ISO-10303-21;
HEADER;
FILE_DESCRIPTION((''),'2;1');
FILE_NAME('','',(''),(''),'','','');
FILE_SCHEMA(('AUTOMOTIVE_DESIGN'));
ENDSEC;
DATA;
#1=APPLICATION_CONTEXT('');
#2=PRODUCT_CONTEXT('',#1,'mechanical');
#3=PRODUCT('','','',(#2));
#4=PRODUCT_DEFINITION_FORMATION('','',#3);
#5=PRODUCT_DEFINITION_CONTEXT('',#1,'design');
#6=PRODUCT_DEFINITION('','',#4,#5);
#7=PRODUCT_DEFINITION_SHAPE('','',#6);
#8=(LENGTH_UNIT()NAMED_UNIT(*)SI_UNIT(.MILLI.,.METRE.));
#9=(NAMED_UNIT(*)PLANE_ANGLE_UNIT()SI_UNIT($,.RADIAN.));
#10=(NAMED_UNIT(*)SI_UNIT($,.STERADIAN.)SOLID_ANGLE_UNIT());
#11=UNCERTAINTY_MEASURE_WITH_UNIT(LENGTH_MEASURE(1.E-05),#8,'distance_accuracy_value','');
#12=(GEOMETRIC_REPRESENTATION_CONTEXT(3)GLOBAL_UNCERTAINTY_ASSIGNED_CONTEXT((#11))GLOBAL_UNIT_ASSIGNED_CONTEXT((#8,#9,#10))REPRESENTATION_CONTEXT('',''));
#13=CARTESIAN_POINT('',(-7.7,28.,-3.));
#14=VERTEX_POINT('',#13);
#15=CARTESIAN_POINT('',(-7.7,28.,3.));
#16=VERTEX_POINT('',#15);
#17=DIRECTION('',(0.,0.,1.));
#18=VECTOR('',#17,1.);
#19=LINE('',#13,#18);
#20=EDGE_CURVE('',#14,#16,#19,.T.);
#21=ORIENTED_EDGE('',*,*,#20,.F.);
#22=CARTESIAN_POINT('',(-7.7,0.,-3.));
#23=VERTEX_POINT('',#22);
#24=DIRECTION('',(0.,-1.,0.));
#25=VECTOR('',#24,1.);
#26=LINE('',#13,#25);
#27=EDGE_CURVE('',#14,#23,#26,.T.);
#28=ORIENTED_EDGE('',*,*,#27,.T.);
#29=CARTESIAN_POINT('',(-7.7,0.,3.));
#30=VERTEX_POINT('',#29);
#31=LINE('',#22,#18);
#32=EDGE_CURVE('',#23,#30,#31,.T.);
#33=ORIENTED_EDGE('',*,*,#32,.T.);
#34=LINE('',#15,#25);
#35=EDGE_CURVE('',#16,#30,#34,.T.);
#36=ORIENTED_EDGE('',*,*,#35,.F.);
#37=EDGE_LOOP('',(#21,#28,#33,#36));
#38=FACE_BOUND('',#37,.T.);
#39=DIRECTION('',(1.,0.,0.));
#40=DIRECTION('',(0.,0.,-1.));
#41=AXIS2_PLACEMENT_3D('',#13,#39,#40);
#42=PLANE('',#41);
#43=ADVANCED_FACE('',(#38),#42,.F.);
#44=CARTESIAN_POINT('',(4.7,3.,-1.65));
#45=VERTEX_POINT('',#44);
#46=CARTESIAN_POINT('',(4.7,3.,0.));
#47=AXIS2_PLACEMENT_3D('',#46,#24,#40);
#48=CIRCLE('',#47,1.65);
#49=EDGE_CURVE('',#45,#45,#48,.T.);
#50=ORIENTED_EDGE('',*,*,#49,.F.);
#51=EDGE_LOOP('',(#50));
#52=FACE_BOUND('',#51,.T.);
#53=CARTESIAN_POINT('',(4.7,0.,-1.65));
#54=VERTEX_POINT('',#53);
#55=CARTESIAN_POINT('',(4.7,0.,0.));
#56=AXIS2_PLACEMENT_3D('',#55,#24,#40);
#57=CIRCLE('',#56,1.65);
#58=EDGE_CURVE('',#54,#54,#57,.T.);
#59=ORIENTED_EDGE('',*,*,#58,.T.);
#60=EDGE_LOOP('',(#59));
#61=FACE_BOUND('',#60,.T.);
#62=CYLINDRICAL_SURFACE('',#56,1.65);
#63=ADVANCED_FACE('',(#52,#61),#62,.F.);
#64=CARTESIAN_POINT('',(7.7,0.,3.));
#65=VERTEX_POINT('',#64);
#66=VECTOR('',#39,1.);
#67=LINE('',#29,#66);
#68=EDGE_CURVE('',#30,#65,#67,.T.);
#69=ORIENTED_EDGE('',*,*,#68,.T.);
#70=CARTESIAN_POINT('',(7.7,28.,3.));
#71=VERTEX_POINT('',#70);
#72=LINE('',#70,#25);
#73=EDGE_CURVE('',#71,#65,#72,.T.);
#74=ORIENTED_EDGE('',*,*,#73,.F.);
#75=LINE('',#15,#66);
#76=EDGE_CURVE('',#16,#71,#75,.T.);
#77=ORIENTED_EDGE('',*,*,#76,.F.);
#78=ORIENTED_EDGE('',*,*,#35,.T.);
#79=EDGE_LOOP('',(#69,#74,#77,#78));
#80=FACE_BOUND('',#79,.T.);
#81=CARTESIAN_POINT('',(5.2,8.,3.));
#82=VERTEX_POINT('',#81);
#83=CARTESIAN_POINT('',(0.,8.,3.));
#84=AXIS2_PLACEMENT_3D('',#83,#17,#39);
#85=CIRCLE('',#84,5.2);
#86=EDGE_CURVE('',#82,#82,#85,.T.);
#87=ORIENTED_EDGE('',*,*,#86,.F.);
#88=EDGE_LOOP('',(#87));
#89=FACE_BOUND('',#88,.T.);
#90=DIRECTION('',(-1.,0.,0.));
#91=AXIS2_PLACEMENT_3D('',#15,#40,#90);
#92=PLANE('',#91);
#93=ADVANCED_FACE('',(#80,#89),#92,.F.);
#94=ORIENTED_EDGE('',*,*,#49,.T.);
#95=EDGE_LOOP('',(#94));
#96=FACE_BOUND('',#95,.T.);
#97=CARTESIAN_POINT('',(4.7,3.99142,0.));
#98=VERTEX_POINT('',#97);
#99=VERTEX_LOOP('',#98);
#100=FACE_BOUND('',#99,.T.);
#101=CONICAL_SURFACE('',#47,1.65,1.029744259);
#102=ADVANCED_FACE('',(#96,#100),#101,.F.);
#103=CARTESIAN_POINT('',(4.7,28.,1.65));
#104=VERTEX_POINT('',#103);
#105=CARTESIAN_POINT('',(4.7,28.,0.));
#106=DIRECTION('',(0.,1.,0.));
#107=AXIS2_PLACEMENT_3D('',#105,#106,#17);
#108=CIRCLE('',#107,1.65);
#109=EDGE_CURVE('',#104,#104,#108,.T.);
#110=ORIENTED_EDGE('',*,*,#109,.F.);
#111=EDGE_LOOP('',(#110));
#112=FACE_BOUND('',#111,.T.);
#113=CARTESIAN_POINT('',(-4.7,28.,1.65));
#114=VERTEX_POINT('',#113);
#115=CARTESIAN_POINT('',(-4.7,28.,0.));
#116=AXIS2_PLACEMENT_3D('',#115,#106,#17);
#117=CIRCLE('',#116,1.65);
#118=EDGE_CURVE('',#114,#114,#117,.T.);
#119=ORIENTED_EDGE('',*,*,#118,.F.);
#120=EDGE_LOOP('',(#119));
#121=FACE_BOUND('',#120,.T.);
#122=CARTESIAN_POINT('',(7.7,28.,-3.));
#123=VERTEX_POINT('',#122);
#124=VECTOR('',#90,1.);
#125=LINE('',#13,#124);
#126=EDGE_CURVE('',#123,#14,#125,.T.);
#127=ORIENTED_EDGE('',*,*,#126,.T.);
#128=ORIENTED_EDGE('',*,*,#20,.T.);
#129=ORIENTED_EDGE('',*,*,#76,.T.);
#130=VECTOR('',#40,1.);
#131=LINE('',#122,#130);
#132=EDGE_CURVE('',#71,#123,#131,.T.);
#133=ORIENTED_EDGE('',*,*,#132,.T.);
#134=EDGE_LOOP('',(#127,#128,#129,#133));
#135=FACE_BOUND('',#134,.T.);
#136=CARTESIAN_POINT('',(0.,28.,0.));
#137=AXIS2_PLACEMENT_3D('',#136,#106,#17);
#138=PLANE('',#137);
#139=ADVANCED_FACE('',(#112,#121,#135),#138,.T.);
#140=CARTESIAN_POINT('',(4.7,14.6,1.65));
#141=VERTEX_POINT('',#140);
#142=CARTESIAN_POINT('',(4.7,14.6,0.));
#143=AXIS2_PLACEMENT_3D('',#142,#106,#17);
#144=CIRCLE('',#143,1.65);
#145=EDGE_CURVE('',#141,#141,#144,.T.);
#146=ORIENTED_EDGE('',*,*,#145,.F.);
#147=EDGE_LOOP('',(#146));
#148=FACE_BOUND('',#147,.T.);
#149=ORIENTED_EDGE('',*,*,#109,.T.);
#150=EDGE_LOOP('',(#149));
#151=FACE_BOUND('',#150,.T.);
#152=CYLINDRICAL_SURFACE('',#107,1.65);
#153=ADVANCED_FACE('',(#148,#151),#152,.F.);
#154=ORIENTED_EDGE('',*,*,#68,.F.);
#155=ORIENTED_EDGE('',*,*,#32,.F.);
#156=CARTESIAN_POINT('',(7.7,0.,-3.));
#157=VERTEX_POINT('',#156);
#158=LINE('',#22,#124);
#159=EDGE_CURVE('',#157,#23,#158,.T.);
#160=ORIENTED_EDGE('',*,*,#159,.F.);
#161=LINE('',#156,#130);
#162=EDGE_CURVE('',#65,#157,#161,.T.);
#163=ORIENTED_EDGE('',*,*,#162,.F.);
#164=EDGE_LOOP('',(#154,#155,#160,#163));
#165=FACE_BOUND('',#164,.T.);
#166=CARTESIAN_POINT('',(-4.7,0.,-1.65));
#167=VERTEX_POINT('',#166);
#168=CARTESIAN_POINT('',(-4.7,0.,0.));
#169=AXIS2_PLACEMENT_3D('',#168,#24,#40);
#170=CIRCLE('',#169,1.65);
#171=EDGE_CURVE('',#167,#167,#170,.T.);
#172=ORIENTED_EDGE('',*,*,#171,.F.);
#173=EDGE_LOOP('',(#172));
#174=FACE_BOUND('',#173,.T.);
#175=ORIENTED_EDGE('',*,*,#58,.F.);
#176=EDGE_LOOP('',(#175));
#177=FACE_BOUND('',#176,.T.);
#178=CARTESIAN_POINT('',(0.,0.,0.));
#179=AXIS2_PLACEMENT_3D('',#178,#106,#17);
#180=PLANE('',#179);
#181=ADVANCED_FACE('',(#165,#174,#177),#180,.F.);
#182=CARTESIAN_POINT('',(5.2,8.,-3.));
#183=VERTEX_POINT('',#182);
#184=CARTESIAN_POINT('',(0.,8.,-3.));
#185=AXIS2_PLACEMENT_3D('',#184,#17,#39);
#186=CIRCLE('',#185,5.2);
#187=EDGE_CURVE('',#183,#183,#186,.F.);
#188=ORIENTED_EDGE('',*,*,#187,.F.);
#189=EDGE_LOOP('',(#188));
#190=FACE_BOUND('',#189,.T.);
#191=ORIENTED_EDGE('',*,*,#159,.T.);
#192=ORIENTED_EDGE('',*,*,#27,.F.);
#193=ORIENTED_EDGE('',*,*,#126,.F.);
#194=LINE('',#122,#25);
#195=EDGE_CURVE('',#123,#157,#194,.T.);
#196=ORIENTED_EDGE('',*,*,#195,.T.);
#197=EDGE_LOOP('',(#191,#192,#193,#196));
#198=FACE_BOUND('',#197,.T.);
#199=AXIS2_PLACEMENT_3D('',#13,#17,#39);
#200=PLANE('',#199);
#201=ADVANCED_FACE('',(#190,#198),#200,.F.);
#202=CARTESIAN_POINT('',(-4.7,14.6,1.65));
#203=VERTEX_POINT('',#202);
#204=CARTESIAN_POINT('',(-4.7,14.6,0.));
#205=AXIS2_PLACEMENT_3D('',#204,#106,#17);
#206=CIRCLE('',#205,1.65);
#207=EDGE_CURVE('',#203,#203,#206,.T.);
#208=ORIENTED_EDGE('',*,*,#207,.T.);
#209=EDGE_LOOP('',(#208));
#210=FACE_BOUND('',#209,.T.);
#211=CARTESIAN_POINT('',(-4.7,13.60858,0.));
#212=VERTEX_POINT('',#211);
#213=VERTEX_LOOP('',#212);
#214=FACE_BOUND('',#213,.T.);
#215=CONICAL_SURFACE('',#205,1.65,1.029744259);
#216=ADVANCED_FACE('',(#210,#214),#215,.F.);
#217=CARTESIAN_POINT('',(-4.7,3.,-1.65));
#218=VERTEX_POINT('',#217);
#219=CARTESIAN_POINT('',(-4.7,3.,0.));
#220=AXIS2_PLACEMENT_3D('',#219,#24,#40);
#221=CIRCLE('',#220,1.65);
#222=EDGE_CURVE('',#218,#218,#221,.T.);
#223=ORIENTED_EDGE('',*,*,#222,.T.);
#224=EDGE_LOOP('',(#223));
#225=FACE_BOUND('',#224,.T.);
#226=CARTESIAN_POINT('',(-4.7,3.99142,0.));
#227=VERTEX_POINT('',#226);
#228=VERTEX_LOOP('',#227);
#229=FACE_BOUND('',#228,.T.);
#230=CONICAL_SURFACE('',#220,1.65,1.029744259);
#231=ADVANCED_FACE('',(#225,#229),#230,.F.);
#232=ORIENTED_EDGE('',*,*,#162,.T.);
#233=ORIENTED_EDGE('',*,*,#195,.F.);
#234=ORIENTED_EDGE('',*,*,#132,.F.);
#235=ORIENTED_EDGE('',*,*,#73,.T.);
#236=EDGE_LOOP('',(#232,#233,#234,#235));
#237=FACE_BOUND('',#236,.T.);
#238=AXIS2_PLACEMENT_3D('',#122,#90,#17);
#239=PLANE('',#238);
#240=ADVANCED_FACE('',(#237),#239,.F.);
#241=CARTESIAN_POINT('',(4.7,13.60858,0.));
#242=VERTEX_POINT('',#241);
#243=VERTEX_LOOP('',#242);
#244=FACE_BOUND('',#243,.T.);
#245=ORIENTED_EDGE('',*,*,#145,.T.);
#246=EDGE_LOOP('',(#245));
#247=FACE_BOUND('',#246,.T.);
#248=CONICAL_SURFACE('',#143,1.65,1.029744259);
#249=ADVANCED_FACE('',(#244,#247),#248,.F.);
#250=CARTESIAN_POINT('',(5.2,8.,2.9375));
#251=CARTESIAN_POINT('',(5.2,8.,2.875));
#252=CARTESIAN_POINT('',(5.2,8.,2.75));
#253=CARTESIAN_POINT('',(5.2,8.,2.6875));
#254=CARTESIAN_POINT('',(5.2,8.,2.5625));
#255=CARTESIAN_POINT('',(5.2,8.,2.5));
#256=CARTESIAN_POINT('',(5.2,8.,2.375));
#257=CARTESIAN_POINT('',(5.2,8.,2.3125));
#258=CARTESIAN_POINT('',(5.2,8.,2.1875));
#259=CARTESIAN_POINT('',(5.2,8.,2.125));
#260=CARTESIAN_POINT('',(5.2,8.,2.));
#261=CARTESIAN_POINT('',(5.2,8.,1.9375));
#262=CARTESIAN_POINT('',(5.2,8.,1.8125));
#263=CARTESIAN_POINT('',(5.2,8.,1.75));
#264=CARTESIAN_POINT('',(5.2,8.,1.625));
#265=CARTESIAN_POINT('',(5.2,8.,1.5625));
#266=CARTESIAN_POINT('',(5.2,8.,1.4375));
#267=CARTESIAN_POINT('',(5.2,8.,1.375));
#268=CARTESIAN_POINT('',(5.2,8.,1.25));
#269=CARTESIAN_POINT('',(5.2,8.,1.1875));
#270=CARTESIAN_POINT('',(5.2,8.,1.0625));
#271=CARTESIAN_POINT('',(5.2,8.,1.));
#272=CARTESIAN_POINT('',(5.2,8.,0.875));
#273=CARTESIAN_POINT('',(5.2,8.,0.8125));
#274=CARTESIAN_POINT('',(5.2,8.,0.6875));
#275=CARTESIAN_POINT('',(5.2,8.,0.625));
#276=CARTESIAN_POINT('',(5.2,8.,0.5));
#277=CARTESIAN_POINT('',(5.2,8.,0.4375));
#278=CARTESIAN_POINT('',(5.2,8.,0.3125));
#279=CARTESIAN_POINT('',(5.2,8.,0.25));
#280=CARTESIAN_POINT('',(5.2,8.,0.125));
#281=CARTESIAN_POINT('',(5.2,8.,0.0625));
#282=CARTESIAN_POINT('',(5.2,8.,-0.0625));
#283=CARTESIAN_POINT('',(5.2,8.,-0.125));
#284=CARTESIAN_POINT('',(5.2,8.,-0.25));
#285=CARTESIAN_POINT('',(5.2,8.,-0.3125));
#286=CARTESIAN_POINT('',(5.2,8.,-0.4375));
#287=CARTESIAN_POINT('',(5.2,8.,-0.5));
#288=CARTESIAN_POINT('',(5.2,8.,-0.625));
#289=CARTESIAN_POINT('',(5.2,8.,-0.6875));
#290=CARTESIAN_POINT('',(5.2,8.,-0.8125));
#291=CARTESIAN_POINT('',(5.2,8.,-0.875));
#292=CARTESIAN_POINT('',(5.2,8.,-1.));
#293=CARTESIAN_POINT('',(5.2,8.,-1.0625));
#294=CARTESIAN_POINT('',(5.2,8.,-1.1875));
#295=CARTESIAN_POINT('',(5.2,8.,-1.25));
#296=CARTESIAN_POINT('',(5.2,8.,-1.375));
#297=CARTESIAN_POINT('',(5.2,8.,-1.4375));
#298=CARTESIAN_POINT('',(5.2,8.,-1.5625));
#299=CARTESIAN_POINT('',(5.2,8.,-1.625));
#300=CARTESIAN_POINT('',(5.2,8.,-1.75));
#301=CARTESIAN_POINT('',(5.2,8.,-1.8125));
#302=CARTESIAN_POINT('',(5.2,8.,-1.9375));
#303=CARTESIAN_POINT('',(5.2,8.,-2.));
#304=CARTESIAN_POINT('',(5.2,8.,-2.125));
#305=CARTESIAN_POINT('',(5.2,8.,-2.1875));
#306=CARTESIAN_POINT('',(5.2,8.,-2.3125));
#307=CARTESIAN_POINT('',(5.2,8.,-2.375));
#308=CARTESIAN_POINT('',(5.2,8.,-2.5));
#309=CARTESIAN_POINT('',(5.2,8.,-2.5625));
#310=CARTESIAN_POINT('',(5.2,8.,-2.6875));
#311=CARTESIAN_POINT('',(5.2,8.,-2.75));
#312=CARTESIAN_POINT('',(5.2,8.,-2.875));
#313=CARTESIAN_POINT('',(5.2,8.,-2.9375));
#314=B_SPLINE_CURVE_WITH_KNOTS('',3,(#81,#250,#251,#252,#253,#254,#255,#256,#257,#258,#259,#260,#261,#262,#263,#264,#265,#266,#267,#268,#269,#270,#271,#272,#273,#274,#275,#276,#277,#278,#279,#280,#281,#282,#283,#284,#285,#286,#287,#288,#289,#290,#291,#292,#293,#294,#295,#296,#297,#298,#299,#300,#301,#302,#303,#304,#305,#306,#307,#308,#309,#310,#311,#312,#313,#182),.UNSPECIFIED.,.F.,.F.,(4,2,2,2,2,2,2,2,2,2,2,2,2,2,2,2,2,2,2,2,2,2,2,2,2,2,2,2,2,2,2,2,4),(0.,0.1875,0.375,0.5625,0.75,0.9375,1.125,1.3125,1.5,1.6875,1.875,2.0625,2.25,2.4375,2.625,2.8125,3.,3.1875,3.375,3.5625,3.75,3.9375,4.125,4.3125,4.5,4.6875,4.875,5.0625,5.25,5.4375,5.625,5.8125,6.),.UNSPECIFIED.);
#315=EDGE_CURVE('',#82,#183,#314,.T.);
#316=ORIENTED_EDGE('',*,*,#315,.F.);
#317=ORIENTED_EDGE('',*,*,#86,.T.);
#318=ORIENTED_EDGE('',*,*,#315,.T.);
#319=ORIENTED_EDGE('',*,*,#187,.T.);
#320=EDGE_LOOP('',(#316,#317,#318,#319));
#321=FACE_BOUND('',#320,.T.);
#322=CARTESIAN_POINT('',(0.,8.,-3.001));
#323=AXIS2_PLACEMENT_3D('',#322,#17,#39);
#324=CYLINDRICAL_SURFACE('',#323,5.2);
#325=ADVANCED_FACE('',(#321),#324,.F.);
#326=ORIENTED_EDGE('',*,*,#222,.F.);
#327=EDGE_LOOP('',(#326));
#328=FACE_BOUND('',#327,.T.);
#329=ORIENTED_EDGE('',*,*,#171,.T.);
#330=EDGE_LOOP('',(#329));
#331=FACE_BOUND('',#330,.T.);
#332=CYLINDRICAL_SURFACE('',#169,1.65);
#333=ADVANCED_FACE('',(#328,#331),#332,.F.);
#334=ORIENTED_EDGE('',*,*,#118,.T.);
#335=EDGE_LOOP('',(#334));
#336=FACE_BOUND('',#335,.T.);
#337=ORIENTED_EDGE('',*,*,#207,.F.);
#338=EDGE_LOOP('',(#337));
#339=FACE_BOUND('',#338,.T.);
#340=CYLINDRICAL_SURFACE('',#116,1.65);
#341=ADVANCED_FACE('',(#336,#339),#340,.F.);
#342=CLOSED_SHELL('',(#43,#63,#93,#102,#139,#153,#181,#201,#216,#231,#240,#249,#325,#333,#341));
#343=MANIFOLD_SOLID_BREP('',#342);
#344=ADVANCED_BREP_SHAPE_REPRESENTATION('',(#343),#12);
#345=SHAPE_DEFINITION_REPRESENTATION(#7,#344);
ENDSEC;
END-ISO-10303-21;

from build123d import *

# Parameters (mm, degrees)
SKETCH1_W                                     = 15.4
SKETCH1_H                                     = 6
BOSS_EXTRUDE1_DEPTH                           = 28
TAP_DRILL_FOR_M4X0_7_TAP1_D                   = 3.3
TAP_DRILL_FOR_M4X0_7_TAP1_DEPTH               = 13.4
TAP_DRILL_FOR_M4X0_7_TAP1_TIP                 = 0.991420021
CUT_EXTRUDE_PRESS_FIT_HOLE_FOR_SOLENOID_REACH = 31.653
SKETCH4_R                                     = 5.2
TAP_DRILL_FOR_M4X0_7_TAP2_D                   = 3.3
TAP_DRILL_FOR_M4X0_7_TAP2_DEPTH               = 3
TAP_DRILL_FOR_M4X0_7_TAP2_TIP                 = 0.991420021


with BuildPart() as part:
    # Sketch1 → Boss-Extrude1 (new body)
    with BuildSketch(Plane(origin=(0, 0, 0), x_dir=(1, 0, 0), z_dir=(0, 1, 0))):
        Rectangle(SKETCH1_W, SKETCH1_H)
    extrude(amount=BOSS_EXTRUDE1_DEPTH)

    # Tap Drill for M4x0.7 Tap1
    with Locations(Plane(origin=(-4.7, 28, 0), x_dir=(0, 0, 1), z_dir=(0, 1, 0))):
        with Locations((0, 0), (0, 9.4)):
            Hole(TAP_DRILL_FOR_M4X0_7_TAP1_D / 2, depth=TAP_DRILL_FOR_M4X0_7_TAP1_DEPTH)
            with Locations((0, 0, -(TAP_DRILL_FOR_M4X0_7_TAP1_DEPTH + TAP_DRILL_FOR_M4X0_7_TAP1_TIP / 2))):  # 118° drill point
                Cone(0, TAP_DRILL_FOR_M4X0_7_TAP1_D / 2, TAP_DRILL_FOR_M4X0_7_TAP1_TIP, mode=Mode.SUBTRACT)

    # Sketch4 → Cut-Extrude Press Fit hole for solenoid tube (cut, up to next)
    with BuildSketch(Plane.XY.offset(3), mode=Mode.PRIVATE) as cut_extrude_press_fit_hole_for_solenoid_sk1:
        with Locations((0, 8)):
            Circle(SKETCH4_R)
    cut_extrude_press_fit_hole_for_solenoid_tool1 = extrude(cut_extrude_press_fit_hole_for_solenoid_sk1.sketch, amount=-CUT_EXTRUDE_PRESS_FIT_HOLE_FOR_SOLENOID_REACH, mode=Mode.PRIVATE) & part.part
    add(cut_extrude_press_fit_hole_for_solenoid_tool1.solids().sort_by_distance((0, 8, 3))[0], mode=Mode.SUBTRACT)

    # Tap Drill for M4x0.7 Tap2
    with Locations(Plane(origin=(0, 0, 0), x_dir=(-1, 0, 0), z_dir=(0, -1, 0))):
        with Locations((-4.7, 0), (4.7, 0)):
            Hole(TAP_DRILL_FOR_M4X0_7_TAP2_D / 2, depth=TAP_DRILL_FOR_M4X0_7_TAP2_DEPTH)
            with Locations((0, 0, -(TAP_DRILL_FOR_M4X0_7_TAP2_DEPTH + TAP_DRILL_FOR_M4X0_7_TAP2_TIP / 2))):  # 118° drill point
                Cone(0, TAP_DRILL_FOR_M4X0_7_TAP2_D / 2, TAP_DRILL_FOR_M4X0_7_TAP2_TIP, mode=Mode.SUBTRACT)


solid = part.part
